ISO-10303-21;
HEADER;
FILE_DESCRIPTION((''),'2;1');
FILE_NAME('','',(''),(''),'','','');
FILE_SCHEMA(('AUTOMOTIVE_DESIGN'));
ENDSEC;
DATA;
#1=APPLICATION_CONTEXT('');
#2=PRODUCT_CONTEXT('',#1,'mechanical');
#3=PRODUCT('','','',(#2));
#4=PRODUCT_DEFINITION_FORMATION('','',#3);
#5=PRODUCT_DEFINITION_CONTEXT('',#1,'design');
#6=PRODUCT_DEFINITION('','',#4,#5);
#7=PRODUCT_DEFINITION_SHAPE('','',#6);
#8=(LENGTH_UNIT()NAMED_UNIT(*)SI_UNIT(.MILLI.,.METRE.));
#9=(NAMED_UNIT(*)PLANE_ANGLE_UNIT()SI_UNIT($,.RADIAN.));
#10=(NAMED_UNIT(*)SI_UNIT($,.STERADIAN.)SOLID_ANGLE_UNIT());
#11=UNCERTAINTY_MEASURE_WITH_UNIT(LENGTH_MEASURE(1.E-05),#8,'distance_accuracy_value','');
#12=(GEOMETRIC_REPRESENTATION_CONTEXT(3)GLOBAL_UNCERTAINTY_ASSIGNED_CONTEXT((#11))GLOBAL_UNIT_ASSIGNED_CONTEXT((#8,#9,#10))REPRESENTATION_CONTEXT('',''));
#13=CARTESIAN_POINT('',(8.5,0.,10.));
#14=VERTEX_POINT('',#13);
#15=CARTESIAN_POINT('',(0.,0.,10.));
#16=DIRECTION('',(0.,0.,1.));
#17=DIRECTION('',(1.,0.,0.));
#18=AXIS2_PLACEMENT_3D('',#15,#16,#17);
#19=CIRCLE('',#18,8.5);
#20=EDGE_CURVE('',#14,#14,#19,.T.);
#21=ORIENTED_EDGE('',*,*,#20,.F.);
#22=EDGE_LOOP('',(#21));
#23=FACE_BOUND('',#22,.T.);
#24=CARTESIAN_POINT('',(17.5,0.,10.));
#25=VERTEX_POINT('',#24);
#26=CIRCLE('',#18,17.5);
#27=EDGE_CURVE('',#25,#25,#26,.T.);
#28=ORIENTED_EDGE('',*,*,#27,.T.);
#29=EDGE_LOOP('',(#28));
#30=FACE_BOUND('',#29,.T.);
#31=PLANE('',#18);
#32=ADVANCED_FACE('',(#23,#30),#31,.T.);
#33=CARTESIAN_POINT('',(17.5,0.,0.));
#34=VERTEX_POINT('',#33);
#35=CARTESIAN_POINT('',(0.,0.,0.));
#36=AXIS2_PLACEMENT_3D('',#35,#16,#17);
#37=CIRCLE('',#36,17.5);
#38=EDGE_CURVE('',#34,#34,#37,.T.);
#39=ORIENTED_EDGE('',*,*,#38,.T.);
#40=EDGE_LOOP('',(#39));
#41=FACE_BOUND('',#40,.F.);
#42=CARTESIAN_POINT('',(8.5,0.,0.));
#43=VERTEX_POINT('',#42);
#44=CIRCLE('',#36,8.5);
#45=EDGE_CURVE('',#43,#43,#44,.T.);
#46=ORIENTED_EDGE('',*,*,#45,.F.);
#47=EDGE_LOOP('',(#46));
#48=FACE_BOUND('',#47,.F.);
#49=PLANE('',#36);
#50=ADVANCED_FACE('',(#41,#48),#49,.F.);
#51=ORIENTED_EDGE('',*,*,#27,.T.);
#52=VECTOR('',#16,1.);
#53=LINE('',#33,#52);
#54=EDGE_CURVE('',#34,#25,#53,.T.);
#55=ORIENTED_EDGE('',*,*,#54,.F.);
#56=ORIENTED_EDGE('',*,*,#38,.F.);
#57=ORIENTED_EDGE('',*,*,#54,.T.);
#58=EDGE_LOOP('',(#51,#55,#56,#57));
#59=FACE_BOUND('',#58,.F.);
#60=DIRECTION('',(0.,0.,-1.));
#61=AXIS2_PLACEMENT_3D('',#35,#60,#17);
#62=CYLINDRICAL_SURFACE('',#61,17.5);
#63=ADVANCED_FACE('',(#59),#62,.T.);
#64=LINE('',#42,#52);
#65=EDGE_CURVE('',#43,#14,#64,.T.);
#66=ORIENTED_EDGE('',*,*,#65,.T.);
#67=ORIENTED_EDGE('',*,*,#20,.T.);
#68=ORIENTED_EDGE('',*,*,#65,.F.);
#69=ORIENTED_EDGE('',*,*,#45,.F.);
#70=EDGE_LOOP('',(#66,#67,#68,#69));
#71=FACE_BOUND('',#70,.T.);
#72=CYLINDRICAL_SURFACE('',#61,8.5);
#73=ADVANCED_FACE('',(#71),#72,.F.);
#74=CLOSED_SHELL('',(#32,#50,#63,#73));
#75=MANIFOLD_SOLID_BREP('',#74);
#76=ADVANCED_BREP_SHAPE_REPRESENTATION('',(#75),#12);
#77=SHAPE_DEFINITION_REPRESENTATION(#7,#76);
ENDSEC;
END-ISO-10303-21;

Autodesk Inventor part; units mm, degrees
ref_plane "YZ Plane" through (0, 0, 0) normal (1, 0, 0) x (0, 1, 0)
ref_plane "XZ Plane" through (0, 0, 0) normal (0, 1, 0) x (-1, 0, 0)
ref_plane "XY Plane" through (0, 0, 0) normal (0, 0, 1) x (1, 0, 0)
sketch "Sketch1" plane through (0, 0, 0) normal (0, 0, 1) x (1, 0, 0)
  circle A0 centre (0, 0) radius 8.5
  circle A1 centre (0, 0) radius 17.5
  dimension "d0" = 17
  dimension "d1" = 35
extrude "Extrusion1" add sketch "Sketch1" along normal blind 10
properties part number "6003 bearing"
